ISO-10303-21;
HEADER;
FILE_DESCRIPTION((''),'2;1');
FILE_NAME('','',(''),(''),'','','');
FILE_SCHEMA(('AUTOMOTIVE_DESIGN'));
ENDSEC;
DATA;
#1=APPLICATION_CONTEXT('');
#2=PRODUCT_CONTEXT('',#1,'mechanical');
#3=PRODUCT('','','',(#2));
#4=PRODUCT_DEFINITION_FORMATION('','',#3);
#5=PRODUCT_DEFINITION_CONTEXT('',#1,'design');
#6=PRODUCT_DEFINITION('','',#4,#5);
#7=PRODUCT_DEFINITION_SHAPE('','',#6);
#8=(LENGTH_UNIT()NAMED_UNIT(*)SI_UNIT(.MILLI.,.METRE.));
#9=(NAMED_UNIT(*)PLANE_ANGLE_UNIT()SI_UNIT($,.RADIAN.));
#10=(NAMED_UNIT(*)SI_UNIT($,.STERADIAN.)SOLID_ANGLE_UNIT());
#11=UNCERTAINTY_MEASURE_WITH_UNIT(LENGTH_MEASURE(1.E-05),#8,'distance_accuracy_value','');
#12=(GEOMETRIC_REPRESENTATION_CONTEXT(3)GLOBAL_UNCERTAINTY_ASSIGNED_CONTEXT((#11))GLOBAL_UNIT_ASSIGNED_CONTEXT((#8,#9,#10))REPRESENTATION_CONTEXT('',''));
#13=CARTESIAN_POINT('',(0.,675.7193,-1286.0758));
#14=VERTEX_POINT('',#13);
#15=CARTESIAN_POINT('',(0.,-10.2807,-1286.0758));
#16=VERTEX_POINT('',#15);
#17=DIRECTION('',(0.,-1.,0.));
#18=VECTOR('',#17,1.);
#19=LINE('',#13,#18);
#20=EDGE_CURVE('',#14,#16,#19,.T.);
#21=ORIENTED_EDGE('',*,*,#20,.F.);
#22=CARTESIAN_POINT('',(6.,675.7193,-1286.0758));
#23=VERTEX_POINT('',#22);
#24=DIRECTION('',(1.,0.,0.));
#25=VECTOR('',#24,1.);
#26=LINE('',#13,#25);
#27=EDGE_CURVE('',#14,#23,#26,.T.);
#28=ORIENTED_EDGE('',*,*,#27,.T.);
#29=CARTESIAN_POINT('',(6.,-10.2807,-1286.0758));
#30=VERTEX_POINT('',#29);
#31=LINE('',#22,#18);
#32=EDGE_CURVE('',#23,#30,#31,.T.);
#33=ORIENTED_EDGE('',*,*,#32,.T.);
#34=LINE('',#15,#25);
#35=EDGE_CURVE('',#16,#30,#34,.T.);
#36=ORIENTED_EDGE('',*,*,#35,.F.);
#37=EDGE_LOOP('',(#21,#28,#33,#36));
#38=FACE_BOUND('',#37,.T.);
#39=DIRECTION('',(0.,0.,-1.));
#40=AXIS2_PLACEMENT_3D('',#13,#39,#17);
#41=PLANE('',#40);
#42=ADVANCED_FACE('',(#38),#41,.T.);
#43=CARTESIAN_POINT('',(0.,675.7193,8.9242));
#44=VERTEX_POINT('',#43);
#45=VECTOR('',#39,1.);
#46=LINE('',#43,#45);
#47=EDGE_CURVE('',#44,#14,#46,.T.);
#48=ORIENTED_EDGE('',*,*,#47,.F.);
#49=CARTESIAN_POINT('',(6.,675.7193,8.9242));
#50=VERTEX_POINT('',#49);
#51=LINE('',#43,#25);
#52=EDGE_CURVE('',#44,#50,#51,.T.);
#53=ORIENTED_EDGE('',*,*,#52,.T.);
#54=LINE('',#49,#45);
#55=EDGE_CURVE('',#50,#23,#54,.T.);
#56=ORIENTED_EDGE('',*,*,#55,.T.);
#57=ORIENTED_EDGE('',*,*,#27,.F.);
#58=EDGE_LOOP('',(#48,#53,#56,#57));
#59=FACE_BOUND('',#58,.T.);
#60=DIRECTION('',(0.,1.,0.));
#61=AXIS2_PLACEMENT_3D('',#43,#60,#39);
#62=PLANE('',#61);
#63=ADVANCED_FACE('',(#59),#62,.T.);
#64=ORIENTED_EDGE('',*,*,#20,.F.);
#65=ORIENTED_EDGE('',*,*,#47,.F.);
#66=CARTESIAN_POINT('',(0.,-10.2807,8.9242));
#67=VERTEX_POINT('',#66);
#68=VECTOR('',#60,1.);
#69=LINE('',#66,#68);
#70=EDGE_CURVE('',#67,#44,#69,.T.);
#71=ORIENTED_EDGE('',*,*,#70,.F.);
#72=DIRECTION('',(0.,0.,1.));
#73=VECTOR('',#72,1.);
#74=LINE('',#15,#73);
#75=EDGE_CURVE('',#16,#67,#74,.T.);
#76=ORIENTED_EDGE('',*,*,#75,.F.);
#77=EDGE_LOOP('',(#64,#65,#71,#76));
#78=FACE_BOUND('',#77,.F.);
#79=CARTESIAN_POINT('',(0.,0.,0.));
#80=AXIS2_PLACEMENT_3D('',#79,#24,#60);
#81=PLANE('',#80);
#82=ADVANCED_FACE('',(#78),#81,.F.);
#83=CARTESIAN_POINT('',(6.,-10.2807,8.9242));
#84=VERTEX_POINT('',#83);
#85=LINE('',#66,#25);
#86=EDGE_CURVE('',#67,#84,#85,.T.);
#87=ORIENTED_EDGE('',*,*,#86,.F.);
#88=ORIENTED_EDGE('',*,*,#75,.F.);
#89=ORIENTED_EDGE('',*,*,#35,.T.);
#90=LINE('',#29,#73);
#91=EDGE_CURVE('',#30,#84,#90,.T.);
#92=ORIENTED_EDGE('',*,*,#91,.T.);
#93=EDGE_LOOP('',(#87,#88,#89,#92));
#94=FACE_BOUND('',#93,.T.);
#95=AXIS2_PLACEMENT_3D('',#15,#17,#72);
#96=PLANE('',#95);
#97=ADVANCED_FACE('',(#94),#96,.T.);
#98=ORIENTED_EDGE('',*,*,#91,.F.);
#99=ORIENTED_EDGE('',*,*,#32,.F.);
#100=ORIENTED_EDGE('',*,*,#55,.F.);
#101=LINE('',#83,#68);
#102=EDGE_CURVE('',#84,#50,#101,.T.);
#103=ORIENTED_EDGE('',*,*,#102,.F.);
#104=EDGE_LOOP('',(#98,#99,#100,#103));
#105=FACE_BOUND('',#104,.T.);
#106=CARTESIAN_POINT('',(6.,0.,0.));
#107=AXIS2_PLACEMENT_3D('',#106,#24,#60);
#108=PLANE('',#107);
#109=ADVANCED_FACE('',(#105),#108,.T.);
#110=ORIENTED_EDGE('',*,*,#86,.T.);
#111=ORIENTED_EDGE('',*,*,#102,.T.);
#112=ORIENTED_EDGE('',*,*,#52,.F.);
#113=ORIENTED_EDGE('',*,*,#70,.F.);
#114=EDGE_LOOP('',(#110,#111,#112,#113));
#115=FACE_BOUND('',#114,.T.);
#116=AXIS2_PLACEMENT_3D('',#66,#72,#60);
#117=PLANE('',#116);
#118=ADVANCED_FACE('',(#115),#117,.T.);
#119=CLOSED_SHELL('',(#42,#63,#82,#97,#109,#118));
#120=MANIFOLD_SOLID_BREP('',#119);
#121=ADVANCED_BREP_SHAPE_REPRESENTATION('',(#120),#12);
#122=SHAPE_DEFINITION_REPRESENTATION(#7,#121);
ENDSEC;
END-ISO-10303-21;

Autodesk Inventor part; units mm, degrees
ref_plane "YZ Plane" through (0, 0, 0) normal (1, 0, 0) x (0, 1, 0)
ref_plane "XZ Plane" through (0, 0, 0) normal (0, 1, 0) x (-1, 0, 0)
ref_plane "XY Plane" through (0, 0, 0) normal (0, 0, 1) x (1, 0, 0)
sketch "Sketch1" plane through (0, 0, 0) normal (1, 0, 0) x (0, 1, 0)
  line L0 (-10.2807, 8.9242) -> (675.7193, 8.9242)
  line L1 (675.7193, 8.9242) -> (675.7193, -1286.0758)
  line L2 (675.7193, -1286.0758) -> (-10.2807, -1286.0758)
  line L3 (-10.2807, -1286.0758) -> (-10.2807, 8.9242)
  point P0 (0, 0)
  dimension "b" = 686
  dimension "d1" = 1295
extrude "Extrusion1" add sketch "Sketch1" along normal blind 6
properties part number "CUT PART G"
